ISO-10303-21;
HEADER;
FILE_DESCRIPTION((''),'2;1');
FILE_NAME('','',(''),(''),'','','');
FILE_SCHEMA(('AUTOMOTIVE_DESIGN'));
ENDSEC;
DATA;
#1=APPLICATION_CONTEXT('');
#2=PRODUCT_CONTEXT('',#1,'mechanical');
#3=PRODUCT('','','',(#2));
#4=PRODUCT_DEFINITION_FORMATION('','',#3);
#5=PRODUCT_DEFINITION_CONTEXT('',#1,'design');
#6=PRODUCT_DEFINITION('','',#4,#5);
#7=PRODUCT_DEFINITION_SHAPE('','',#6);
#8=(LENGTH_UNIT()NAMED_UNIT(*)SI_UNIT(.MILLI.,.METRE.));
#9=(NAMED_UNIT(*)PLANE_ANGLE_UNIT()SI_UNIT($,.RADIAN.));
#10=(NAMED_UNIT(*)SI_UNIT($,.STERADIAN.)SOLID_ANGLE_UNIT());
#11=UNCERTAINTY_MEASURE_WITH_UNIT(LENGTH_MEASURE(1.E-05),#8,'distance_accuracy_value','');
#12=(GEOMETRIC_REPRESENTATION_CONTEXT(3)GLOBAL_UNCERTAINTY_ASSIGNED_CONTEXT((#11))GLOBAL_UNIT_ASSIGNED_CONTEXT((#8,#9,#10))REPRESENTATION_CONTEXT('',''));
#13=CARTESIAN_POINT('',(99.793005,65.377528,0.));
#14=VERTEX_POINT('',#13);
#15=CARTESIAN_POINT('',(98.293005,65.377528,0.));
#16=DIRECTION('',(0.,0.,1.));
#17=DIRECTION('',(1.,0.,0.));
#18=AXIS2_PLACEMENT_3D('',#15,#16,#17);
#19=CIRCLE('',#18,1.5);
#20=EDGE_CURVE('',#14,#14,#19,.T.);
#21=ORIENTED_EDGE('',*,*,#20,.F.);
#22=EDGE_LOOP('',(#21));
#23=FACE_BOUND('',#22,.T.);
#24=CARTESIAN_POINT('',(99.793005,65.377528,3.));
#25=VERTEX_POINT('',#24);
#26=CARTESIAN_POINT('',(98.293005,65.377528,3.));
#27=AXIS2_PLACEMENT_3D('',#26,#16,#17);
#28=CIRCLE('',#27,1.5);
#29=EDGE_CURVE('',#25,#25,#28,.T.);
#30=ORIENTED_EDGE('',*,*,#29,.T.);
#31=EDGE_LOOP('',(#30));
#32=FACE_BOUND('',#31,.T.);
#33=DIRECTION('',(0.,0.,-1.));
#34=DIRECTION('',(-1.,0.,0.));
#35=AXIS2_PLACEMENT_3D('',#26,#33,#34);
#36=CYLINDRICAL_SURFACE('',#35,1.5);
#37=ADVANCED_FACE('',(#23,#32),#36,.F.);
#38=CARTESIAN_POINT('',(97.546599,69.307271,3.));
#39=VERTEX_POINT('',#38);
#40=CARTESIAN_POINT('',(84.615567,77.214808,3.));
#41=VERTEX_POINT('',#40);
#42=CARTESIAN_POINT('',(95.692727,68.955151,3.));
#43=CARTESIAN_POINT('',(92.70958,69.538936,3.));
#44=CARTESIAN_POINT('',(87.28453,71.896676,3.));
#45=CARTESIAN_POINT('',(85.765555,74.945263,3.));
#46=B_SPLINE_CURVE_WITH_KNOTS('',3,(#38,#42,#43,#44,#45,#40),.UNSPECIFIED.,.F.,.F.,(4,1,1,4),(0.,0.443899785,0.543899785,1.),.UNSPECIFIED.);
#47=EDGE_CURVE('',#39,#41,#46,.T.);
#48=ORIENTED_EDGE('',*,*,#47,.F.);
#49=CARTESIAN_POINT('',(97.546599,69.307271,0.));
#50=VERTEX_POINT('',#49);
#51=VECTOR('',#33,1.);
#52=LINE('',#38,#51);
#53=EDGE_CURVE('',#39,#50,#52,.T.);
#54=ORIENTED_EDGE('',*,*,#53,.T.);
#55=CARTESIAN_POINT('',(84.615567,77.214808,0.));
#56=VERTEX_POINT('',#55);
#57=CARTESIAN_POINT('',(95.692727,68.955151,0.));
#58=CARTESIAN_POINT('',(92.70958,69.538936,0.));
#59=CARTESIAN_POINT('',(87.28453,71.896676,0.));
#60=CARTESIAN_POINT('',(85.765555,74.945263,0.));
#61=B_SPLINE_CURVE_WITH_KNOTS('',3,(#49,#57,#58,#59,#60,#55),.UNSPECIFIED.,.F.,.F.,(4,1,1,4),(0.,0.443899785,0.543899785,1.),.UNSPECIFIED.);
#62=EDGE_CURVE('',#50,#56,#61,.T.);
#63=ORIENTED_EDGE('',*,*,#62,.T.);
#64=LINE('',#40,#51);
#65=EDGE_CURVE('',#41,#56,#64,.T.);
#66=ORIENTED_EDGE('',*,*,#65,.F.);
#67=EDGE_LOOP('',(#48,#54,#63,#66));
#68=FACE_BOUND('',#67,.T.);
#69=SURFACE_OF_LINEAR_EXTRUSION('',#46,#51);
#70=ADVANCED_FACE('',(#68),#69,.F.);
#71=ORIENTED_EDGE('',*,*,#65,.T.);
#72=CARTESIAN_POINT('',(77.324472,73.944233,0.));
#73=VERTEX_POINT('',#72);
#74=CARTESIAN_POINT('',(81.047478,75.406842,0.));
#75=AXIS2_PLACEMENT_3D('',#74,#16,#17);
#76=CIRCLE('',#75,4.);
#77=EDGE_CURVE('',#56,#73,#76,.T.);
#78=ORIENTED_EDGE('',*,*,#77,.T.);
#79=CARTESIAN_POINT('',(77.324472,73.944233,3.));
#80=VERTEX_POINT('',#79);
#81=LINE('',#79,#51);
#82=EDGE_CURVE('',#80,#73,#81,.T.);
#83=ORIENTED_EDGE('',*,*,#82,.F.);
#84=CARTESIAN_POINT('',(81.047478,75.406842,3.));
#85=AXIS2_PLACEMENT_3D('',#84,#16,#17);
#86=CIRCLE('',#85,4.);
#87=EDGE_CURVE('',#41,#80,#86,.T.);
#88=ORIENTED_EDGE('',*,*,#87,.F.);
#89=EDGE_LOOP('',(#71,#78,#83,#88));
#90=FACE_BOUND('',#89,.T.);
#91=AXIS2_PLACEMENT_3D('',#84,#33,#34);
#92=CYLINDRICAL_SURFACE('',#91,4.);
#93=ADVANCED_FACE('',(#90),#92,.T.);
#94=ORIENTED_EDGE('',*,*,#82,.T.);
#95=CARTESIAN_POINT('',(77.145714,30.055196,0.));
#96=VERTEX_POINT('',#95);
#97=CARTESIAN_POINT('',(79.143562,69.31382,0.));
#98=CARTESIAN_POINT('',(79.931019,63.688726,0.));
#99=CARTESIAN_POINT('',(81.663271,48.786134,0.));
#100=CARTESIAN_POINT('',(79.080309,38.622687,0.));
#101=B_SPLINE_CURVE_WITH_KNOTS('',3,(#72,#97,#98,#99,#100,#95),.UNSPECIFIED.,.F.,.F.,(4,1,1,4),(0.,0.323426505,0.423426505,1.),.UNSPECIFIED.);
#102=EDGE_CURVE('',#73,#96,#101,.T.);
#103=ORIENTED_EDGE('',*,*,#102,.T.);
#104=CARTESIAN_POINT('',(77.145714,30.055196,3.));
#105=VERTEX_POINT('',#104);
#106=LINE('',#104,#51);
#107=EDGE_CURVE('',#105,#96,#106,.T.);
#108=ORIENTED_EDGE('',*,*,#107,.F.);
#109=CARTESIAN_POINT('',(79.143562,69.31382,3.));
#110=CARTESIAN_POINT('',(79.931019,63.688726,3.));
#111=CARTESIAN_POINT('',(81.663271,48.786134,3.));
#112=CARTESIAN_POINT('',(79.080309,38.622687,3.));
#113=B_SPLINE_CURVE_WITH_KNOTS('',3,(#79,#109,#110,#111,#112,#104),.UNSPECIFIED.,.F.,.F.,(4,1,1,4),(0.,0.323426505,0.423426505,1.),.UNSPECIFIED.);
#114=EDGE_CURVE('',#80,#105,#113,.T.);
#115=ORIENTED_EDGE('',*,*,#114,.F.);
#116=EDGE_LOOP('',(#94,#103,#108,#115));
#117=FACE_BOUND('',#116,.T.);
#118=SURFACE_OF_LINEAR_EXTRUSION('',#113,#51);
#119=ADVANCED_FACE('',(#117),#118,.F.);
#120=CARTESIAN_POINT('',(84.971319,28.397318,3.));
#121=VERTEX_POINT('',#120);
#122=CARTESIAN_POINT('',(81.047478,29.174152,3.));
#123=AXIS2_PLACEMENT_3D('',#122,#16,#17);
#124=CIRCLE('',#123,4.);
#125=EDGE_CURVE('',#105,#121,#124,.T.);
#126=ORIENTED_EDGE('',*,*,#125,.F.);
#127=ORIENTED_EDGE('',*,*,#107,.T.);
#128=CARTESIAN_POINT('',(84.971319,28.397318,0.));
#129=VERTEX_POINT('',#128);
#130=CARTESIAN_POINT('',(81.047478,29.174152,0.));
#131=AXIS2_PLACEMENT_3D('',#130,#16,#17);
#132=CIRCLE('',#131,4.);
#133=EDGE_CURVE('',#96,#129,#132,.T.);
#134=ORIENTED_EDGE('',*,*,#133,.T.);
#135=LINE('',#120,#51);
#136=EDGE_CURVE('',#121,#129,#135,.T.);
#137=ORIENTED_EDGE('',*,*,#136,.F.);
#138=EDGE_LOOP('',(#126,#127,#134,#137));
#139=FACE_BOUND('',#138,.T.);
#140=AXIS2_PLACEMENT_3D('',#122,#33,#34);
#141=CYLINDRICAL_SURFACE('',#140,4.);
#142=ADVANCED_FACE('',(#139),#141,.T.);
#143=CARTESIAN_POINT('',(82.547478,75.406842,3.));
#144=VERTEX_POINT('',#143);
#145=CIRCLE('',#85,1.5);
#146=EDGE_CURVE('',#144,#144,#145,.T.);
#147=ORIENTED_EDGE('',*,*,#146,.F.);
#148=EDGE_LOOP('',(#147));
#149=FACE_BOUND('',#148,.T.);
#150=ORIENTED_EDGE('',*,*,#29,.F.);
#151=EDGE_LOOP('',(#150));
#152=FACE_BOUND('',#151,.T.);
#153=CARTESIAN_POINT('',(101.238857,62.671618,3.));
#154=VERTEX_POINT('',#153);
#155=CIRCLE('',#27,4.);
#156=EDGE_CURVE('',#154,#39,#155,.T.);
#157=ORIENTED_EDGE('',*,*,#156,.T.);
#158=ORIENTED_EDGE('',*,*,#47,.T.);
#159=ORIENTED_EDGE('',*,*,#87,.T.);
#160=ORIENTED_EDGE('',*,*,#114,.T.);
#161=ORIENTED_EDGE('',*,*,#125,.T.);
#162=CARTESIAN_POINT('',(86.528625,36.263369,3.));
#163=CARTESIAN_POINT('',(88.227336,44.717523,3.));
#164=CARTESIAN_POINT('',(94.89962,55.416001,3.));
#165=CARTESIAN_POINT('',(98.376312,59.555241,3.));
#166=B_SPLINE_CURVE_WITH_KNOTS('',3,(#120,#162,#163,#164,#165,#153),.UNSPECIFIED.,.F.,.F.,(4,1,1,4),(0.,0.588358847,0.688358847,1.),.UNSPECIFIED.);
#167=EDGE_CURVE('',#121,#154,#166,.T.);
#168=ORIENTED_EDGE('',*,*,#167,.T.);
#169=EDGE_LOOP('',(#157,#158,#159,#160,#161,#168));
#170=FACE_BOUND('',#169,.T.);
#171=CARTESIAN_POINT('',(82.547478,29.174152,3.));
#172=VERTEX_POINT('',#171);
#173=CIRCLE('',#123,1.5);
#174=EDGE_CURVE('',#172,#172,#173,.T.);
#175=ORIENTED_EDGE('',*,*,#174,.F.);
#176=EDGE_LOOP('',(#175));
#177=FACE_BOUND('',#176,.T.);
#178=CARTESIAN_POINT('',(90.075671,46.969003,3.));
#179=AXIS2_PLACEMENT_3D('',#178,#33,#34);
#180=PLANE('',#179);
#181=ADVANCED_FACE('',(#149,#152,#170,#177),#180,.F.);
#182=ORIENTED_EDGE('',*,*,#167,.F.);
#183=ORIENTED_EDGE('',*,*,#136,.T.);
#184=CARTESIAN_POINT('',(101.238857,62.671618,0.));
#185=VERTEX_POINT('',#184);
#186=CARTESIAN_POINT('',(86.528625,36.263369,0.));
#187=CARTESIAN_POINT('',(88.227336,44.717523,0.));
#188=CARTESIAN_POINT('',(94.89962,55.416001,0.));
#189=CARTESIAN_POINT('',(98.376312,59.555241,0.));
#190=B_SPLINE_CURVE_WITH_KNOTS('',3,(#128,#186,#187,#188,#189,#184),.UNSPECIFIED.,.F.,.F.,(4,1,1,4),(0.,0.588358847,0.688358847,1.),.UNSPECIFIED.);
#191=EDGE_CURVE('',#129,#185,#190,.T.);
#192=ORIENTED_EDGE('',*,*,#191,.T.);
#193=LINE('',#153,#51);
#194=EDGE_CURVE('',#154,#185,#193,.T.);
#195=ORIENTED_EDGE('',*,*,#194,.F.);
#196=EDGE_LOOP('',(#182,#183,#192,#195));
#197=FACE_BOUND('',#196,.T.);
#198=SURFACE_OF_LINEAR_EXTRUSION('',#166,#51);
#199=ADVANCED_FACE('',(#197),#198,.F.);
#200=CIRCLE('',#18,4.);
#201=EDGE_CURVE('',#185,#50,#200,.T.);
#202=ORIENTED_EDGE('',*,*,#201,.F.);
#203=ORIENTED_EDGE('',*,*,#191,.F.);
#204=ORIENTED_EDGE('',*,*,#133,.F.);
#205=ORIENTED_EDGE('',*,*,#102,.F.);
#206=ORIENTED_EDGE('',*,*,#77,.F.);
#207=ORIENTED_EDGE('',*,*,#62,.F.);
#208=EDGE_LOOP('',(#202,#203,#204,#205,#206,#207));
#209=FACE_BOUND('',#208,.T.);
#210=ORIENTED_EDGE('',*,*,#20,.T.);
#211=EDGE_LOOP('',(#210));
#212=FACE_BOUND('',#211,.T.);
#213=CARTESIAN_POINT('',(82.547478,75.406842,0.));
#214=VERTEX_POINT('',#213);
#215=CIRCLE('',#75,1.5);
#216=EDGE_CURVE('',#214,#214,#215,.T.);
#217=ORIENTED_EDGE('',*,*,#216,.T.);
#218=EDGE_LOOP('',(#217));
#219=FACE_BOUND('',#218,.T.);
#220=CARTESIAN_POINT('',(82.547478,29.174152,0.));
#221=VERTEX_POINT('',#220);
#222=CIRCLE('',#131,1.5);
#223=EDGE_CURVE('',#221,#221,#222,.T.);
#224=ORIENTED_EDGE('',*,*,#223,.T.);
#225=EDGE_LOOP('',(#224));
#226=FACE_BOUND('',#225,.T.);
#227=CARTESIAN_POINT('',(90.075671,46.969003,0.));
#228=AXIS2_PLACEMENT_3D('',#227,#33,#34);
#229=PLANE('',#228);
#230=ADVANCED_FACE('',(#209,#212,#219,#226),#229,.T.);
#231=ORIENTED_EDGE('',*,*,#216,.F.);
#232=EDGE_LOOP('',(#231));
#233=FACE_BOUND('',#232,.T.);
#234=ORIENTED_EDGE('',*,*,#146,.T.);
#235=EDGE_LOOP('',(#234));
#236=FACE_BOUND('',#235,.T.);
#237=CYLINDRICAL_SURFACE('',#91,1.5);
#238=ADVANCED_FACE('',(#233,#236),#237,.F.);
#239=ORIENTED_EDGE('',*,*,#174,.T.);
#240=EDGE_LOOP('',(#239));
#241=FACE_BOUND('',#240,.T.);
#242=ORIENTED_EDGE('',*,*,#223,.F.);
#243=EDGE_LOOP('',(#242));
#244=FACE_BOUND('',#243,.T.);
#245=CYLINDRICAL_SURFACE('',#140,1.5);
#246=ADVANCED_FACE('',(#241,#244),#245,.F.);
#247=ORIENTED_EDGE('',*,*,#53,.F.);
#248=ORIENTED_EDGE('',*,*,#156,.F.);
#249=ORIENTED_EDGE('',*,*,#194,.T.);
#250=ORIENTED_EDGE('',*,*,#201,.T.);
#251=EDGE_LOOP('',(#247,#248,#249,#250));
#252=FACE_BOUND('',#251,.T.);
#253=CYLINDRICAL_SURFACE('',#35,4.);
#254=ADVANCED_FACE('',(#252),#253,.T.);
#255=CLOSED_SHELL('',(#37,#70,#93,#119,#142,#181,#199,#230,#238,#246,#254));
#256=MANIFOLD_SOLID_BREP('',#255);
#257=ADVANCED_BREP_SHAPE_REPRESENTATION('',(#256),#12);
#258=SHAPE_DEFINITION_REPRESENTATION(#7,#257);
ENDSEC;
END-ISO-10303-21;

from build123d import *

# Parameters (mm, degrees)
ESQUISSE15_R        = 1.5
BOSS_EXTRU_15_DEPTH = 3


with BuildPart() as part:
    # Esquisse15 → Boss.-Extru.15 (new body)
    with BuildSketch(Plane.XY):
        with BuildLine():
            ThreePointArc((84.615566757, 77.214807715), (79.410356581, 79.056476896), (77.32447165, 73.944232535))
            add(Edge.make_bspline(
                [(77.145713615, 30.055195656), (79.080308516, 38.622687362), (81.66327099, 48.786134392), (79.931018502, 63.688726471), (79.143562251, 69.313820095), (77.32447165, 73.944232535)],
                knots=[0, 0, 0, 0, 0.576573495, 0.676573495, 1, 1, 1, 1], degree=3))
            ThreePointArc((77.145713615, 30.055195656), (80.218465063, 25.261002777), (84.971318589, 28.39731752))
            add(Edge.make_bspline(
                [(101.238857322, 62.671617625), (98.376312092, 59.555241307), (94.899619815, 55.416000824), (88.227335604, 44.717523156), (86.528624586, 36.263368643), (84.971318589, 28.39731752)],
                knots=[0, 0, 0, 0, 0.311641153, 0.411641153, 1, 1, 1, 1], degree=3))
            ThreePointArc((101.238857322, 62.671617625), (101.788339756, 67.322427703), (97.546599361, 69.307271211))
            add(Edge.make_bspline(
                [(84.615566757, 77.214807715), (85.76555462, 74.945262877), (87.284529762, 71.896675961), (92.709580096, 69.538935669), (95.692727353, 68.955151445), (97.546599361, 69.307271211)],
                knots=[0, 0, 0, 0, 0.456100215, 0.556100215, 1, 1, 1, 1], degree=3))
        make_face()
        with Locations((81.047477623, 75.406842025)):
            Circle(ESQUISSE15_R, mode=Mode.SUBTRACT)
        with Locations((98.293004791, 65.377528352)):
            Circle(ESQUISSE15_R, mode=Mode.SUBTRACT)
        with Locations((81.047477623, 29.17415217)):
            Circle(ESQUISSE15_R, mode=Mode.SUBTRACT)
    extrude(amount=BOSS_EXTRU_15_DEPTH)


solid = part.part
